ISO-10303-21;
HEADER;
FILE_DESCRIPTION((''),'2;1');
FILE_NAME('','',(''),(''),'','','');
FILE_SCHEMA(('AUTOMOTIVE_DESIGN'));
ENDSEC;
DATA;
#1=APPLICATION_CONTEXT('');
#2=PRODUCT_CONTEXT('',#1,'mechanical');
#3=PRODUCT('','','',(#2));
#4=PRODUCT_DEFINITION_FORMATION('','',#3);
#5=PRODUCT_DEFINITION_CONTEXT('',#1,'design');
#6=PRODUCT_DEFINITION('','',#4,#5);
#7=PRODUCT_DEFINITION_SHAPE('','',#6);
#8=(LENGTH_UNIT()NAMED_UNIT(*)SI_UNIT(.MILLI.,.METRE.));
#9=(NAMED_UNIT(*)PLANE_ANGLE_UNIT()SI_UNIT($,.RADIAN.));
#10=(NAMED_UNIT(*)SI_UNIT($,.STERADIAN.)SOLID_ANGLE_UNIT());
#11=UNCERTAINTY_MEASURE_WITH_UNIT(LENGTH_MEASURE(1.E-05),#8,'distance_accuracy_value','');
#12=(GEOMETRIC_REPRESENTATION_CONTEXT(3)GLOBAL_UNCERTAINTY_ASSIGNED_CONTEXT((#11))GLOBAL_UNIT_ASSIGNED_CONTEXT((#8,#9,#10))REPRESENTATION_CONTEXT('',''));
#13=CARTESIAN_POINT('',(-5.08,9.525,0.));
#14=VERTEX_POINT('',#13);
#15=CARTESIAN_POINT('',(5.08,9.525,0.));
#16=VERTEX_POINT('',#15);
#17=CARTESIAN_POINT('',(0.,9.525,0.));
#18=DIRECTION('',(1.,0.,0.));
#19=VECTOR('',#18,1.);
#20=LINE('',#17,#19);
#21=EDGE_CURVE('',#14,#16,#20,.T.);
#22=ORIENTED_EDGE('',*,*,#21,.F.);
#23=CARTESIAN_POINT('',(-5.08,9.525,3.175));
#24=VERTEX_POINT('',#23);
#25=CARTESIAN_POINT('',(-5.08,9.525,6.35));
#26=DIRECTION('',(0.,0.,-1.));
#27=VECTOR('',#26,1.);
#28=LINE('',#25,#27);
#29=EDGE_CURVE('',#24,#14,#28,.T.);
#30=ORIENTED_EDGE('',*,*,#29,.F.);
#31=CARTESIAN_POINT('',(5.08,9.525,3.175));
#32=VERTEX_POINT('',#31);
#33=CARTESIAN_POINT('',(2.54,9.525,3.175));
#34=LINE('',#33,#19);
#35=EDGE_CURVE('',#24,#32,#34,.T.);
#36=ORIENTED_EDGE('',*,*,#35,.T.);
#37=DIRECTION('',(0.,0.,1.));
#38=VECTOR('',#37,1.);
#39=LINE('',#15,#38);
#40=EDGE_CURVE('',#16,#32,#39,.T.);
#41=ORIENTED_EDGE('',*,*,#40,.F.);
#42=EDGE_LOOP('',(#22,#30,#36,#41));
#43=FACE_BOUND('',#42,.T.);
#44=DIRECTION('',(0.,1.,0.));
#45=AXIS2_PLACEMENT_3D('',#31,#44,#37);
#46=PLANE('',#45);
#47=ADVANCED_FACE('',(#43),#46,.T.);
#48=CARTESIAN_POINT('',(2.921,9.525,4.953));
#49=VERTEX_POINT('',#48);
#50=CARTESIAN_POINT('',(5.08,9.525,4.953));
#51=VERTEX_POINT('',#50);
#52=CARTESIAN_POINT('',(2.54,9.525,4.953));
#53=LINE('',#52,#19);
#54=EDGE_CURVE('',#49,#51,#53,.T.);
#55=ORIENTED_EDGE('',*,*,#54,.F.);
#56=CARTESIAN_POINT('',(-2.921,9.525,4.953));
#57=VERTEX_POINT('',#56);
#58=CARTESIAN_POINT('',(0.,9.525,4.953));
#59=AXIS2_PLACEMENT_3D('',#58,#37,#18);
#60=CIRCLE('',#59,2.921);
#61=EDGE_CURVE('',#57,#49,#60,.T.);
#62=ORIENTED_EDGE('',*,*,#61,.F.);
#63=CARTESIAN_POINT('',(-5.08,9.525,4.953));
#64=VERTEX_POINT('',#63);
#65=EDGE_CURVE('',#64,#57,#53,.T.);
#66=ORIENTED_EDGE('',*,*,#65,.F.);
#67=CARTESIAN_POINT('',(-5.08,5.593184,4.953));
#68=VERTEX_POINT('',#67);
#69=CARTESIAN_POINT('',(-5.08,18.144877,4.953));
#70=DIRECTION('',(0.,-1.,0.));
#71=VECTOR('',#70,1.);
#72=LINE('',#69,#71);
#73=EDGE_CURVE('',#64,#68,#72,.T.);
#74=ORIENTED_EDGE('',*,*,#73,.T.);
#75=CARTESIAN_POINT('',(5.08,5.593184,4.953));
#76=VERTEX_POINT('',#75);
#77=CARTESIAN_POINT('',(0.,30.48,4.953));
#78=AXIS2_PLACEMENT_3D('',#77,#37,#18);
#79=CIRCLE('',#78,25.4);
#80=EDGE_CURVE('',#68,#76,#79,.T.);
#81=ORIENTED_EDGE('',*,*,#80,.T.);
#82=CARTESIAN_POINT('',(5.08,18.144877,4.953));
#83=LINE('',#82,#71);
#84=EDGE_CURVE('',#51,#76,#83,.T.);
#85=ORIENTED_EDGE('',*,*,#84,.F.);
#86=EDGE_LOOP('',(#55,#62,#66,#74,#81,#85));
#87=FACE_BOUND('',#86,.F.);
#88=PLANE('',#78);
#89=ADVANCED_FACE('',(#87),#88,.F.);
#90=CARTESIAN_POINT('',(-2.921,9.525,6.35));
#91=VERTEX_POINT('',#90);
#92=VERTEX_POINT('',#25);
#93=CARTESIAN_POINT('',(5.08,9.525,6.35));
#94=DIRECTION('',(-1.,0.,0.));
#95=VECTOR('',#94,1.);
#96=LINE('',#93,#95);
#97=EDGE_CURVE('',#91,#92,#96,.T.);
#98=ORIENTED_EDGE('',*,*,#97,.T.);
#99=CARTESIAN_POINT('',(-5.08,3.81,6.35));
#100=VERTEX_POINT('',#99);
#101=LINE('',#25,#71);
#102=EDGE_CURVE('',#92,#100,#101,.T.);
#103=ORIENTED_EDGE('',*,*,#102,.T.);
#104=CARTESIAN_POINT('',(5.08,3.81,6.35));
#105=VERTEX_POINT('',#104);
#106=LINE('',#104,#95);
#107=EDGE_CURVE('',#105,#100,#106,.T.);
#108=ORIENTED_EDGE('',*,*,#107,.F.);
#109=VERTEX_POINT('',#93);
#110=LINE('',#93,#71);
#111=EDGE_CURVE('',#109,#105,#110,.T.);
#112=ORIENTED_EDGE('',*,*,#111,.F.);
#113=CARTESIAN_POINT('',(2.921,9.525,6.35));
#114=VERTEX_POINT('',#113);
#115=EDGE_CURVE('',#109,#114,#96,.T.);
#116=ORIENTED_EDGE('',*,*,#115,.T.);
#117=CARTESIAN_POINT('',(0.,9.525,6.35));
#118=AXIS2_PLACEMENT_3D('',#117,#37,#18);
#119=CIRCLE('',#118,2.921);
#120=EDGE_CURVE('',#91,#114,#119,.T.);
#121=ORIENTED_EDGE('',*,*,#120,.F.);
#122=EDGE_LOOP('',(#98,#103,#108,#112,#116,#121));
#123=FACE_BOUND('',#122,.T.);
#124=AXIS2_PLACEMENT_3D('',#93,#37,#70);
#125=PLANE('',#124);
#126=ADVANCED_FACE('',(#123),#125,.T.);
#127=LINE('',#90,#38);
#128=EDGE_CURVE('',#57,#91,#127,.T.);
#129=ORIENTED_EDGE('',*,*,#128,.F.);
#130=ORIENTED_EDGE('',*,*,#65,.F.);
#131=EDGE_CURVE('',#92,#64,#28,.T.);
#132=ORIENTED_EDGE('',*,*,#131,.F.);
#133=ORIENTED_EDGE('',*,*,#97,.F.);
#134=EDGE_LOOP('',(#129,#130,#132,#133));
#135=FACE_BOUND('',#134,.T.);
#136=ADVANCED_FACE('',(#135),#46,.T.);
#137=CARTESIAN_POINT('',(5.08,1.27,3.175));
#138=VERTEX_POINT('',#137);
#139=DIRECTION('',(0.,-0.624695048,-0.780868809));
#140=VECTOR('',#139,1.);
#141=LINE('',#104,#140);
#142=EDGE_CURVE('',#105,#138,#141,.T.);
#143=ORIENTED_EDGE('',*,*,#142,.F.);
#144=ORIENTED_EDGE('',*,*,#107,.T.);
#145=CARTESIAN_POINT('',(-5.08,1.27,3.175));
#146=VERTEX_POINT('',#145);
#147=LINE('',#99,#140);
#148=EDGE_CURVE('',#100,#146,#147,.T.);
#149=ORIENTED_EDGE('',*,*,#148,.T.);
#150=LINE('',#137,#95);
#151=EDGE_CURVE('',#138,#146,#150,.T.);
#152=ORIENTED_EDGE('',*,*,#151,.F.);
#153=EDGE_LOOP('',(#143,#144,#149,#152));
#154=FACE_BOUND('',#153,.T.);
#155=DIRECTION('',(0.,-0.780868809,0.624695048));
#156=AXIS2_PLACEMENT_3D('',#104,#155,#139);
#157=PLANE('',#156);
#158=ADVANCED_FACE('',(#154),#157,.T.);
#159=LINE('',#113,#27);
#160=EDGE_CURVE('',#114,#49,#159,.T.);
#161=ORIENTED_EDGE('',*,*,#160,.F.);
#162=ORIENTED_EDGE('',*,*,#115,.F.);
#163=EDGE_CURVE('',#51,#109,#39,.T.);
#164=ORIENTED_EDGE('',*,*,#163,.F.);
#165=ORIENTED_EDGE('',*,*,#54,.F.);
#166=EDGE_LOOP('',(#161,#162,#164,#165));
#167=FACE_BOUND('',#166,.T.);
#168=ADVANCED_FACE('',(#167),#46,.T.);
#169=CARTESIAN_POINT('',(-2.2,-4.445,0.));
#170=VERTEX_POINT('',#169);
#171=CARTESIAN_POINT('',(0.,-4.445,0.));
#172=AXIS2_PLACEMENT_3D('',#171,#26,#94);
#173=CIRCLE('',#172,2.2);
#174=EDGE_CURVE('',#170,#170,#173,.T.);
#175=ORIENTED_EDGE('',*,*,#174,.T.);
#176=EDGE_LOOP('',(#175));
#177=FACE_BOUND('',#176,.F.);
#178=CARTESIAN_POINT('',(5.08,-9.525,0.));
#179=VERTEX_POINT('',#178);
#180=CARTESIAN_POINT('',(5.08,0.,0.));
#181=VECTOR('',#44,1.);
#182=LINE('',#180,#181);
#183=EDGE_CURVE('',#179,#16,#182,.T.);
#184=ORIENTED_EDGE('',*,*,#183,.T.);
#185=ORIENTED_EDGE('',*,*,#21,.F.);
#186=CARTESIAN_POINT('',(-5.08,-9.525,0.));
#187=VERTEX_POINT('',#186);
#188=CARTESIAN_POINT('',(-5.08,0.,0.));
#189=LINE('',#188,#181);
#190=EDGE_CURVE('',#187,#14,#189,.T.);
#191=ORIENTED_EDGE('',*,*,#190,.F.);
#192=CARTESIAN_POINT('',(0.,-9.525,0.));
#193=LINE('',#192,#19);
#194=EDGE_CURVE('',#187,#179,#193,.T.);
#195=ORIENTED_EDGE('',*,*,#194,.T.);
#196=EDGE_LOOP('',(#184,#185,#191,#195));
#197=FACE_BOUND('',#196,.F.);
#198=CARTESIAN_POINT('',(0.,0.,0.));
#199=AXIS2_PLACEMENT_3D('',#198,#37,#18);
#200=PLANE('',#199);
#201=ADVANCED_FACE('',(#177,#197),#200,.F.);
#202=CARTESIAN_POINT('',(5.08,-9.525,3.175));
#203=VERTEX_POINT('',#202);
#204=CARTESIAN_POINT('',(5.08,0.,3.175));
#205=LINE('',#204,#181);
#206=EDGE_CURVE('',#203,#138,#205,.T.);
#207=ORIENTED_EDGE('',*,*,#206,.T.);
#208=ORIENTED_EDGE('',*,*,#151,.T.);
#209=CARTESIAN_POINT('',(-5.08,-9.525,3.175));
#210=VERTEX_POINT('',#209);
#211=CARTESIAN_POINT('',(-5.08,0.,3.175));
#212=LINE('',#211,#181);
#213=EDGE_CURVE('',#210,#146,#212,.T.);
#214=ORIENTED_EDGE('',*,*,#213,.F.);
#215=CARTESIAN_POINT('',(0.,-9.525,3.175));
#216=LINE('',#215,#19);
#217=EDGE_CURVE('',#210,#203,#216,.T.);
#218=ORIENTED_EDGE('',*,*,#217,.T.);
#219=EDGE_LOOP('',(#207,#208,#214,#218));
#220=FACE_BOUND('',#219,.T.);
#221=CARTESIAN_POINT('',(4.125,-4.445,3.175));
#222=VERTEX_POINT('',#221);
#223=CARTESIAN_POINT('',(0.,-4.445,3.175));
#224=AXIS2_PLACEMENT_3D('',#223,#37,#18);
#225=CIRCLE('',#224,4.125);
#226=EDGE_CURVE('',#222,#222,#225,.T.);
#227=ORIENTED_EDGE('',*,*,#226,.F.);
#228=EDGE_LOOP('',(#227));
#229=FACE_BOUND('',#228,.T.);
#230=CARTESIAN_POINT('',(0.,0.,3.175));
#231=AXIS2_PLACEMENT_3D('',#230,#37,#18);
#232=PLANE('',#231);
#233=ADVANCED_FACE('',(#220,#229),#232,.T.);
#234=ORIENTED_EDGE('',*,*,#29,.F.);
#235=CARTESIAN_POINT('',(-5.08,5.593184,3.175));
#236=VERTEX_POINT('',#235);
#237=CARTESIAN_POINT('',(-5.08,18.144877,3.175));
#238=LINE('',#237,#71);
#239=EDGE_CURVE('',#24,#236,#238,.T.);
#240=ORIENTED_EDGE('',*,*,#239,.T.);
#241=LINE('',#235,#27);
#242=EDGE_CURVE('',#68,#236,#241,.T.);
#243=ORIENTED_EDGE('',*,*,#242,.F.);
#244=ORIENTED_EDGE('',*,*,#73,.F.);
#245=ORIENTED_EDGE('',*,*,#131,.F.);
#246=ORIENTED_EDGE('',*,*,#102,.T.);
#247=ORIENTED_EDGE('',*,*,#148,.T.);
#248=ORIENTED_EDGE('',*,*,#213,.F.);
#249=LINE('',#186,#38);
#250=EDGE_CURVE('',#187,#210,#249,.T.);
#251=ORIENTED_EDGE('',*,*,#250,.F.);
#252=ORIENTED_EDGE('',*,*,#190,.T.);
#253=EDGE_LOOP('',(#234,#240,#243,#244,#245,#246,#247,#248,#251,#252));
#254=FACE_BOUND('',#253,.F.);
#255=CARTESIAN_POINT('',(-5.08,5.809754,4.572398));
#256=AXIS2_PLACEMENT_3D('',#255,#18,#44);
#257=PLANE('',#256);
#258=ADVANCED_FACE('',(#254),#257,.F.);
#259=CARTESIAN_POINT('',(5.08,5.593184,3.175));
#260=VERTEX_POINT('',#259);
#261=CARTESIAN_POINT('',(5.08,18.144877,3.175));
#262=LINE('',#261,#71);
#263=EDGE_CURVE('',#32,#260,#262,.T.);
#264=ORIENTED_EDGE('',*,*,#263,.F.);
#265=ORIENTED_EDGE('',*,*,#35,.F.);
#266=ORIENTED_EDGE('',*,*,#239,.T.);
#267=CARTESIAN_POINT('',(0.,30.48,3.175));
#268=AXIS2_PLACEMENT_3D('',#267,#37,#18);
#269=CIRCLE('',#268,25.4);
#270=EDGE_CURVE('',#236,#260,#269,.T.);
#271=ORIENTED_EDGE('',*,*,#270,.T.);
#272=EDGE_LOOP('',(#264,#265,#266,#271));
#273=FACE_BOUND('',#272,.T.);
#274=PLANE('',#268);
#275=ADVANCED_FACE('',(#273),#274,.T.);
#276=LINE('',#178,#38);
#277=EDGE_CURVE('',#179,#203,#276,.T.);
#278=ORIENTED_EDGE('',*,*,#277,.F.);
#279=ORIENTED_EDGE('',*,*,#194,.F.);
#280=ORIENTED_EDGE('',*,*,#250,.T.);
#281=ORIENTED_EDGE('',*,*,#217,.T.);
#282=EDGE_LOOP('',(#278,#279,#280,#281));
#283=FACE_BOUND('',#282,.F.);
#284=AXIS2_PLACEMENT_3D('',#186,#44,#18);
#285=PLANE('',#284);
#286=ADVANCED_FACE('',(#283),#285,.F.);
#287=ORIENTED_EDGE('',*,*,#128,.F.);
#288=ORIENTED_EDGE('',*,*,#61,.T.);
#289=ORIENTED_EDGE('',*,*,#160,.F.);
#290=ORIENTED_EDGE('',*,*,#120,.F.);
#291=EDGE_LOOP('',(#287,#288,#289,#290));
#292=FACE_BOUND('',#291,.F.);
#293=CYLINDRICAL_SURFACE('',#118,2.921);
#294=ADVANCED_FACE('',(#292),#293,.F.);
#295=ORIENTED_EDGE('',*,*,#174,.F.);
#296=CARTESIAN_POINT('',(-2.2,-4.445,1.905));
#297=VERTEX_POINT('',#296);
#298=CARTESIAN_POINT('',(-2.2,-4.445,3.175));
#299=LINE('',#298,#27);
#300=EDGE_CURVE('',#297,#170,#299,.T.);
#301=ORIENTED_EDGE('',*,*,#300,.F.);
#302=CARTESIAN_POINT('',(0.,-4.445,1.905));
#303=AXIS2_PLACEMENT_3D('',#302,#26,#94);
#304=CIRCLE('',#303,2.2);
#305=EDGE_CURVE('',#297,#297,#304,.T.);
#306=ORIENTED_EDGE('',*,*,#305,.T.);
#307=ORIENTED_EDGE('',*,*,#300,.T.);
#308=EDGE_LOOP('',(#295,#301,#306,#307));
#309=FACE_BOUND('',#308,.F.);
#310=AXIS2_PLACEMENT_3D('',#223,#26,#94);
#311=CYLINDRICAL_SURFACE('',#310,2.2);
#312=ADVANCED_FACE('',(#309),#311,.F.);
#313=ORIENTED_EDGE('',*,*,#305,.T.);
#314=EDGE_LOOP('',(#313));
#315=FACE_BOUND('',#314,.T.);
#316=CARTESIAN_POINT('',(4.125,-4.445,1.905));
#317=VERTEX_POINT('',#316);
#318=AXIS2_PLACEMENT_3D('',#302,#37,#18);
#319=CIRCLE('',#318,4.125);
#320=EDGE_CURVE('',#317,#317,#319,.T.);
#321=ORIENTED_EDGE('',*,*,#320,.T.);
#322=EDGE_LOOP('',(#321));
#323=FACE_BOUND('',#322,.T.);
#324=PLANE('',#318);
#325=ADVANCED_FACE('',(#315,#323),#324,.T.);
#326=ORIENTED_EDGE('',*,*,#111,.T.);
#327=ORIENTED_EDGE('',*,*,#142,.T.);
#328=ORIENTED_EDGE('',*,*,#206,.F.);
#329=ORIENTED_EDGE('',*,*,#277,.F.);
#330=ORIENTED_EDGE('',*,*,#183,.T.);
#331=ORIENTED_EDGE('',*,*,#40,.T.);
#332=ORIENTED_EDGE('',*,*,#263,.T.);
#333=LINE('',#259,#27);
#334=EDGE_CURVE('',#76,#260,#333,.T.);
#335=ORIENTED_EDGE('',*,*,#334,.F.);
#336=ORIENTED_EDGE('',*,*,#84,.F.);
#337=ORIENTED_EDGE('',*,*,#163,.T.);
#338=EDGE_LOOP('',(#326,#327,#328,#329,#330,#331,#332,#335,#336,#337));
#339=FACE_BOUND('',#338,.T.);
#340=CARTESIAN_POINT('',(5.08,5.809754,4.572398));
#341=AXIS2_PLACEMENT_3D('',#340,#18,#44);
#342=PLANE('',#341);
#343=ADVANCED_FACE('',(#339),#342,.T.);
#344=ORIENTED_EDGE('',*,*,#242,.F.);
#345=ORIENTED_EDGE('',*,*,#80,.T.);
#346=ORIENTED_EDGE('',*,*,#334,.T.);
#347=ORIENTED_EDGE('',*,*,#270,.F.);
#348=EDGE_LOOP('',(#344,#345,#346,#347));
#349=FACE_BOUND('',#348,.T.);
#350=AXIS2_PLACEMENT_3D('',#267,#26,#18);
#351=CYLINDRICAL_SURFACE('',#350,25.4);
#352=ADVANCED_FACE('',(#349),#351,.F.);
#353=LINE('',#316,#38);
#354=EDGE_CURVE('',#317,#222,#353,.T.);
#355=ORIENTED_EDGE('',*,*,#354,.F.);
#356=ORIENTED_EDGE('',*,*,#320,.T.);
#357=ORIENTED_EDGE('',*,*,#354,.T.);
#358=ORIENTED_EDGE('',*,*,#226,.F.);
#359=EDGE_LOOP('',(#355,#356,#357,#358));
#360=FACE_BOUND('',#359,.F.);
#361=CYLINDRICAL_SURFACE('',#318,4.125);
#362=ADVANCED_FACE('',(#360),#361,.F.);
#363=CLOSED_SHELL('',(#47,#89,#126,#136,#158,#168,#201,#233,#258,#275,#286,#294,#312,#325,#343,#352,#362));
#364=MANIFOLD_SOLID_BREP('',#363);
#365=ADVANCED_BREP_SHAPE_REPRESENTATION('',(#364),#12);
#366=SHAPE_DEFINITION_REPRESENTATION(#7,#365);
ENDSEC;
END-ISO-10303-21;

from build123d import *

# Parameters (mm, degrees)
F0_W           = 10.16
F0_H           = 19.05
F1_DEPTH       = 3.175
F4_DEPTH       = 10.16
F6_D           = 4.4
F6_DEPTH       = 12.7
F6_CBORE_D     = 8.25
F6_CBORE_DEPTH = 1.27
F7_R           = 25.4
F8_DEPTH       = 1.778
F9_R           = 2.921
F10_DEPTH      = 2.54


with BuildPart() as f1:
    # F0 (on Top) → F1 (new body)
    with BuildSketch(Plane.XY):
        Rectangle(F0_W, F0_H)
    extrude(amount=F1_DEPTH)

    # F2 (on face) → F4 (join, through all)
    with BuildSketch(Plane.YZ.offset(5.08)):
        Polygon((3.81, 6.35), (1.27, 3.175), (9.525, 3.175), (9.525, 6.35), align=None)
    extrude(amount=-F4_DEPTH)

    # F6
    with Locations(Plane.XY.offset(3.175)):
        with Locations((0, -4.445)):
            CounterBoreHole(F6_D / 2, F6_CBORE_D / 2, F6_CBORE_DEPTH, depth=F6_DEPTH)

    # F7 (on face) → F8 (cut)
    with BuildSketch(Plane.XY.offset(3.175)):
        with Locations((0, 30.48)):
            Circle(F7_R)
    extrude(amount=F8_DEPTH, mode=Mode.SUBTRACT)

    # F9 (on face) → F10 (cut)
    with BuildSketch(Plane.XY.offset(6.35)):
        with Locations((0, 9.525)):
            Circle(F9_R)
    extrude(amount=-F10_DEPTH, mode=Mode.SUBTRACT)


solid = f1.part
